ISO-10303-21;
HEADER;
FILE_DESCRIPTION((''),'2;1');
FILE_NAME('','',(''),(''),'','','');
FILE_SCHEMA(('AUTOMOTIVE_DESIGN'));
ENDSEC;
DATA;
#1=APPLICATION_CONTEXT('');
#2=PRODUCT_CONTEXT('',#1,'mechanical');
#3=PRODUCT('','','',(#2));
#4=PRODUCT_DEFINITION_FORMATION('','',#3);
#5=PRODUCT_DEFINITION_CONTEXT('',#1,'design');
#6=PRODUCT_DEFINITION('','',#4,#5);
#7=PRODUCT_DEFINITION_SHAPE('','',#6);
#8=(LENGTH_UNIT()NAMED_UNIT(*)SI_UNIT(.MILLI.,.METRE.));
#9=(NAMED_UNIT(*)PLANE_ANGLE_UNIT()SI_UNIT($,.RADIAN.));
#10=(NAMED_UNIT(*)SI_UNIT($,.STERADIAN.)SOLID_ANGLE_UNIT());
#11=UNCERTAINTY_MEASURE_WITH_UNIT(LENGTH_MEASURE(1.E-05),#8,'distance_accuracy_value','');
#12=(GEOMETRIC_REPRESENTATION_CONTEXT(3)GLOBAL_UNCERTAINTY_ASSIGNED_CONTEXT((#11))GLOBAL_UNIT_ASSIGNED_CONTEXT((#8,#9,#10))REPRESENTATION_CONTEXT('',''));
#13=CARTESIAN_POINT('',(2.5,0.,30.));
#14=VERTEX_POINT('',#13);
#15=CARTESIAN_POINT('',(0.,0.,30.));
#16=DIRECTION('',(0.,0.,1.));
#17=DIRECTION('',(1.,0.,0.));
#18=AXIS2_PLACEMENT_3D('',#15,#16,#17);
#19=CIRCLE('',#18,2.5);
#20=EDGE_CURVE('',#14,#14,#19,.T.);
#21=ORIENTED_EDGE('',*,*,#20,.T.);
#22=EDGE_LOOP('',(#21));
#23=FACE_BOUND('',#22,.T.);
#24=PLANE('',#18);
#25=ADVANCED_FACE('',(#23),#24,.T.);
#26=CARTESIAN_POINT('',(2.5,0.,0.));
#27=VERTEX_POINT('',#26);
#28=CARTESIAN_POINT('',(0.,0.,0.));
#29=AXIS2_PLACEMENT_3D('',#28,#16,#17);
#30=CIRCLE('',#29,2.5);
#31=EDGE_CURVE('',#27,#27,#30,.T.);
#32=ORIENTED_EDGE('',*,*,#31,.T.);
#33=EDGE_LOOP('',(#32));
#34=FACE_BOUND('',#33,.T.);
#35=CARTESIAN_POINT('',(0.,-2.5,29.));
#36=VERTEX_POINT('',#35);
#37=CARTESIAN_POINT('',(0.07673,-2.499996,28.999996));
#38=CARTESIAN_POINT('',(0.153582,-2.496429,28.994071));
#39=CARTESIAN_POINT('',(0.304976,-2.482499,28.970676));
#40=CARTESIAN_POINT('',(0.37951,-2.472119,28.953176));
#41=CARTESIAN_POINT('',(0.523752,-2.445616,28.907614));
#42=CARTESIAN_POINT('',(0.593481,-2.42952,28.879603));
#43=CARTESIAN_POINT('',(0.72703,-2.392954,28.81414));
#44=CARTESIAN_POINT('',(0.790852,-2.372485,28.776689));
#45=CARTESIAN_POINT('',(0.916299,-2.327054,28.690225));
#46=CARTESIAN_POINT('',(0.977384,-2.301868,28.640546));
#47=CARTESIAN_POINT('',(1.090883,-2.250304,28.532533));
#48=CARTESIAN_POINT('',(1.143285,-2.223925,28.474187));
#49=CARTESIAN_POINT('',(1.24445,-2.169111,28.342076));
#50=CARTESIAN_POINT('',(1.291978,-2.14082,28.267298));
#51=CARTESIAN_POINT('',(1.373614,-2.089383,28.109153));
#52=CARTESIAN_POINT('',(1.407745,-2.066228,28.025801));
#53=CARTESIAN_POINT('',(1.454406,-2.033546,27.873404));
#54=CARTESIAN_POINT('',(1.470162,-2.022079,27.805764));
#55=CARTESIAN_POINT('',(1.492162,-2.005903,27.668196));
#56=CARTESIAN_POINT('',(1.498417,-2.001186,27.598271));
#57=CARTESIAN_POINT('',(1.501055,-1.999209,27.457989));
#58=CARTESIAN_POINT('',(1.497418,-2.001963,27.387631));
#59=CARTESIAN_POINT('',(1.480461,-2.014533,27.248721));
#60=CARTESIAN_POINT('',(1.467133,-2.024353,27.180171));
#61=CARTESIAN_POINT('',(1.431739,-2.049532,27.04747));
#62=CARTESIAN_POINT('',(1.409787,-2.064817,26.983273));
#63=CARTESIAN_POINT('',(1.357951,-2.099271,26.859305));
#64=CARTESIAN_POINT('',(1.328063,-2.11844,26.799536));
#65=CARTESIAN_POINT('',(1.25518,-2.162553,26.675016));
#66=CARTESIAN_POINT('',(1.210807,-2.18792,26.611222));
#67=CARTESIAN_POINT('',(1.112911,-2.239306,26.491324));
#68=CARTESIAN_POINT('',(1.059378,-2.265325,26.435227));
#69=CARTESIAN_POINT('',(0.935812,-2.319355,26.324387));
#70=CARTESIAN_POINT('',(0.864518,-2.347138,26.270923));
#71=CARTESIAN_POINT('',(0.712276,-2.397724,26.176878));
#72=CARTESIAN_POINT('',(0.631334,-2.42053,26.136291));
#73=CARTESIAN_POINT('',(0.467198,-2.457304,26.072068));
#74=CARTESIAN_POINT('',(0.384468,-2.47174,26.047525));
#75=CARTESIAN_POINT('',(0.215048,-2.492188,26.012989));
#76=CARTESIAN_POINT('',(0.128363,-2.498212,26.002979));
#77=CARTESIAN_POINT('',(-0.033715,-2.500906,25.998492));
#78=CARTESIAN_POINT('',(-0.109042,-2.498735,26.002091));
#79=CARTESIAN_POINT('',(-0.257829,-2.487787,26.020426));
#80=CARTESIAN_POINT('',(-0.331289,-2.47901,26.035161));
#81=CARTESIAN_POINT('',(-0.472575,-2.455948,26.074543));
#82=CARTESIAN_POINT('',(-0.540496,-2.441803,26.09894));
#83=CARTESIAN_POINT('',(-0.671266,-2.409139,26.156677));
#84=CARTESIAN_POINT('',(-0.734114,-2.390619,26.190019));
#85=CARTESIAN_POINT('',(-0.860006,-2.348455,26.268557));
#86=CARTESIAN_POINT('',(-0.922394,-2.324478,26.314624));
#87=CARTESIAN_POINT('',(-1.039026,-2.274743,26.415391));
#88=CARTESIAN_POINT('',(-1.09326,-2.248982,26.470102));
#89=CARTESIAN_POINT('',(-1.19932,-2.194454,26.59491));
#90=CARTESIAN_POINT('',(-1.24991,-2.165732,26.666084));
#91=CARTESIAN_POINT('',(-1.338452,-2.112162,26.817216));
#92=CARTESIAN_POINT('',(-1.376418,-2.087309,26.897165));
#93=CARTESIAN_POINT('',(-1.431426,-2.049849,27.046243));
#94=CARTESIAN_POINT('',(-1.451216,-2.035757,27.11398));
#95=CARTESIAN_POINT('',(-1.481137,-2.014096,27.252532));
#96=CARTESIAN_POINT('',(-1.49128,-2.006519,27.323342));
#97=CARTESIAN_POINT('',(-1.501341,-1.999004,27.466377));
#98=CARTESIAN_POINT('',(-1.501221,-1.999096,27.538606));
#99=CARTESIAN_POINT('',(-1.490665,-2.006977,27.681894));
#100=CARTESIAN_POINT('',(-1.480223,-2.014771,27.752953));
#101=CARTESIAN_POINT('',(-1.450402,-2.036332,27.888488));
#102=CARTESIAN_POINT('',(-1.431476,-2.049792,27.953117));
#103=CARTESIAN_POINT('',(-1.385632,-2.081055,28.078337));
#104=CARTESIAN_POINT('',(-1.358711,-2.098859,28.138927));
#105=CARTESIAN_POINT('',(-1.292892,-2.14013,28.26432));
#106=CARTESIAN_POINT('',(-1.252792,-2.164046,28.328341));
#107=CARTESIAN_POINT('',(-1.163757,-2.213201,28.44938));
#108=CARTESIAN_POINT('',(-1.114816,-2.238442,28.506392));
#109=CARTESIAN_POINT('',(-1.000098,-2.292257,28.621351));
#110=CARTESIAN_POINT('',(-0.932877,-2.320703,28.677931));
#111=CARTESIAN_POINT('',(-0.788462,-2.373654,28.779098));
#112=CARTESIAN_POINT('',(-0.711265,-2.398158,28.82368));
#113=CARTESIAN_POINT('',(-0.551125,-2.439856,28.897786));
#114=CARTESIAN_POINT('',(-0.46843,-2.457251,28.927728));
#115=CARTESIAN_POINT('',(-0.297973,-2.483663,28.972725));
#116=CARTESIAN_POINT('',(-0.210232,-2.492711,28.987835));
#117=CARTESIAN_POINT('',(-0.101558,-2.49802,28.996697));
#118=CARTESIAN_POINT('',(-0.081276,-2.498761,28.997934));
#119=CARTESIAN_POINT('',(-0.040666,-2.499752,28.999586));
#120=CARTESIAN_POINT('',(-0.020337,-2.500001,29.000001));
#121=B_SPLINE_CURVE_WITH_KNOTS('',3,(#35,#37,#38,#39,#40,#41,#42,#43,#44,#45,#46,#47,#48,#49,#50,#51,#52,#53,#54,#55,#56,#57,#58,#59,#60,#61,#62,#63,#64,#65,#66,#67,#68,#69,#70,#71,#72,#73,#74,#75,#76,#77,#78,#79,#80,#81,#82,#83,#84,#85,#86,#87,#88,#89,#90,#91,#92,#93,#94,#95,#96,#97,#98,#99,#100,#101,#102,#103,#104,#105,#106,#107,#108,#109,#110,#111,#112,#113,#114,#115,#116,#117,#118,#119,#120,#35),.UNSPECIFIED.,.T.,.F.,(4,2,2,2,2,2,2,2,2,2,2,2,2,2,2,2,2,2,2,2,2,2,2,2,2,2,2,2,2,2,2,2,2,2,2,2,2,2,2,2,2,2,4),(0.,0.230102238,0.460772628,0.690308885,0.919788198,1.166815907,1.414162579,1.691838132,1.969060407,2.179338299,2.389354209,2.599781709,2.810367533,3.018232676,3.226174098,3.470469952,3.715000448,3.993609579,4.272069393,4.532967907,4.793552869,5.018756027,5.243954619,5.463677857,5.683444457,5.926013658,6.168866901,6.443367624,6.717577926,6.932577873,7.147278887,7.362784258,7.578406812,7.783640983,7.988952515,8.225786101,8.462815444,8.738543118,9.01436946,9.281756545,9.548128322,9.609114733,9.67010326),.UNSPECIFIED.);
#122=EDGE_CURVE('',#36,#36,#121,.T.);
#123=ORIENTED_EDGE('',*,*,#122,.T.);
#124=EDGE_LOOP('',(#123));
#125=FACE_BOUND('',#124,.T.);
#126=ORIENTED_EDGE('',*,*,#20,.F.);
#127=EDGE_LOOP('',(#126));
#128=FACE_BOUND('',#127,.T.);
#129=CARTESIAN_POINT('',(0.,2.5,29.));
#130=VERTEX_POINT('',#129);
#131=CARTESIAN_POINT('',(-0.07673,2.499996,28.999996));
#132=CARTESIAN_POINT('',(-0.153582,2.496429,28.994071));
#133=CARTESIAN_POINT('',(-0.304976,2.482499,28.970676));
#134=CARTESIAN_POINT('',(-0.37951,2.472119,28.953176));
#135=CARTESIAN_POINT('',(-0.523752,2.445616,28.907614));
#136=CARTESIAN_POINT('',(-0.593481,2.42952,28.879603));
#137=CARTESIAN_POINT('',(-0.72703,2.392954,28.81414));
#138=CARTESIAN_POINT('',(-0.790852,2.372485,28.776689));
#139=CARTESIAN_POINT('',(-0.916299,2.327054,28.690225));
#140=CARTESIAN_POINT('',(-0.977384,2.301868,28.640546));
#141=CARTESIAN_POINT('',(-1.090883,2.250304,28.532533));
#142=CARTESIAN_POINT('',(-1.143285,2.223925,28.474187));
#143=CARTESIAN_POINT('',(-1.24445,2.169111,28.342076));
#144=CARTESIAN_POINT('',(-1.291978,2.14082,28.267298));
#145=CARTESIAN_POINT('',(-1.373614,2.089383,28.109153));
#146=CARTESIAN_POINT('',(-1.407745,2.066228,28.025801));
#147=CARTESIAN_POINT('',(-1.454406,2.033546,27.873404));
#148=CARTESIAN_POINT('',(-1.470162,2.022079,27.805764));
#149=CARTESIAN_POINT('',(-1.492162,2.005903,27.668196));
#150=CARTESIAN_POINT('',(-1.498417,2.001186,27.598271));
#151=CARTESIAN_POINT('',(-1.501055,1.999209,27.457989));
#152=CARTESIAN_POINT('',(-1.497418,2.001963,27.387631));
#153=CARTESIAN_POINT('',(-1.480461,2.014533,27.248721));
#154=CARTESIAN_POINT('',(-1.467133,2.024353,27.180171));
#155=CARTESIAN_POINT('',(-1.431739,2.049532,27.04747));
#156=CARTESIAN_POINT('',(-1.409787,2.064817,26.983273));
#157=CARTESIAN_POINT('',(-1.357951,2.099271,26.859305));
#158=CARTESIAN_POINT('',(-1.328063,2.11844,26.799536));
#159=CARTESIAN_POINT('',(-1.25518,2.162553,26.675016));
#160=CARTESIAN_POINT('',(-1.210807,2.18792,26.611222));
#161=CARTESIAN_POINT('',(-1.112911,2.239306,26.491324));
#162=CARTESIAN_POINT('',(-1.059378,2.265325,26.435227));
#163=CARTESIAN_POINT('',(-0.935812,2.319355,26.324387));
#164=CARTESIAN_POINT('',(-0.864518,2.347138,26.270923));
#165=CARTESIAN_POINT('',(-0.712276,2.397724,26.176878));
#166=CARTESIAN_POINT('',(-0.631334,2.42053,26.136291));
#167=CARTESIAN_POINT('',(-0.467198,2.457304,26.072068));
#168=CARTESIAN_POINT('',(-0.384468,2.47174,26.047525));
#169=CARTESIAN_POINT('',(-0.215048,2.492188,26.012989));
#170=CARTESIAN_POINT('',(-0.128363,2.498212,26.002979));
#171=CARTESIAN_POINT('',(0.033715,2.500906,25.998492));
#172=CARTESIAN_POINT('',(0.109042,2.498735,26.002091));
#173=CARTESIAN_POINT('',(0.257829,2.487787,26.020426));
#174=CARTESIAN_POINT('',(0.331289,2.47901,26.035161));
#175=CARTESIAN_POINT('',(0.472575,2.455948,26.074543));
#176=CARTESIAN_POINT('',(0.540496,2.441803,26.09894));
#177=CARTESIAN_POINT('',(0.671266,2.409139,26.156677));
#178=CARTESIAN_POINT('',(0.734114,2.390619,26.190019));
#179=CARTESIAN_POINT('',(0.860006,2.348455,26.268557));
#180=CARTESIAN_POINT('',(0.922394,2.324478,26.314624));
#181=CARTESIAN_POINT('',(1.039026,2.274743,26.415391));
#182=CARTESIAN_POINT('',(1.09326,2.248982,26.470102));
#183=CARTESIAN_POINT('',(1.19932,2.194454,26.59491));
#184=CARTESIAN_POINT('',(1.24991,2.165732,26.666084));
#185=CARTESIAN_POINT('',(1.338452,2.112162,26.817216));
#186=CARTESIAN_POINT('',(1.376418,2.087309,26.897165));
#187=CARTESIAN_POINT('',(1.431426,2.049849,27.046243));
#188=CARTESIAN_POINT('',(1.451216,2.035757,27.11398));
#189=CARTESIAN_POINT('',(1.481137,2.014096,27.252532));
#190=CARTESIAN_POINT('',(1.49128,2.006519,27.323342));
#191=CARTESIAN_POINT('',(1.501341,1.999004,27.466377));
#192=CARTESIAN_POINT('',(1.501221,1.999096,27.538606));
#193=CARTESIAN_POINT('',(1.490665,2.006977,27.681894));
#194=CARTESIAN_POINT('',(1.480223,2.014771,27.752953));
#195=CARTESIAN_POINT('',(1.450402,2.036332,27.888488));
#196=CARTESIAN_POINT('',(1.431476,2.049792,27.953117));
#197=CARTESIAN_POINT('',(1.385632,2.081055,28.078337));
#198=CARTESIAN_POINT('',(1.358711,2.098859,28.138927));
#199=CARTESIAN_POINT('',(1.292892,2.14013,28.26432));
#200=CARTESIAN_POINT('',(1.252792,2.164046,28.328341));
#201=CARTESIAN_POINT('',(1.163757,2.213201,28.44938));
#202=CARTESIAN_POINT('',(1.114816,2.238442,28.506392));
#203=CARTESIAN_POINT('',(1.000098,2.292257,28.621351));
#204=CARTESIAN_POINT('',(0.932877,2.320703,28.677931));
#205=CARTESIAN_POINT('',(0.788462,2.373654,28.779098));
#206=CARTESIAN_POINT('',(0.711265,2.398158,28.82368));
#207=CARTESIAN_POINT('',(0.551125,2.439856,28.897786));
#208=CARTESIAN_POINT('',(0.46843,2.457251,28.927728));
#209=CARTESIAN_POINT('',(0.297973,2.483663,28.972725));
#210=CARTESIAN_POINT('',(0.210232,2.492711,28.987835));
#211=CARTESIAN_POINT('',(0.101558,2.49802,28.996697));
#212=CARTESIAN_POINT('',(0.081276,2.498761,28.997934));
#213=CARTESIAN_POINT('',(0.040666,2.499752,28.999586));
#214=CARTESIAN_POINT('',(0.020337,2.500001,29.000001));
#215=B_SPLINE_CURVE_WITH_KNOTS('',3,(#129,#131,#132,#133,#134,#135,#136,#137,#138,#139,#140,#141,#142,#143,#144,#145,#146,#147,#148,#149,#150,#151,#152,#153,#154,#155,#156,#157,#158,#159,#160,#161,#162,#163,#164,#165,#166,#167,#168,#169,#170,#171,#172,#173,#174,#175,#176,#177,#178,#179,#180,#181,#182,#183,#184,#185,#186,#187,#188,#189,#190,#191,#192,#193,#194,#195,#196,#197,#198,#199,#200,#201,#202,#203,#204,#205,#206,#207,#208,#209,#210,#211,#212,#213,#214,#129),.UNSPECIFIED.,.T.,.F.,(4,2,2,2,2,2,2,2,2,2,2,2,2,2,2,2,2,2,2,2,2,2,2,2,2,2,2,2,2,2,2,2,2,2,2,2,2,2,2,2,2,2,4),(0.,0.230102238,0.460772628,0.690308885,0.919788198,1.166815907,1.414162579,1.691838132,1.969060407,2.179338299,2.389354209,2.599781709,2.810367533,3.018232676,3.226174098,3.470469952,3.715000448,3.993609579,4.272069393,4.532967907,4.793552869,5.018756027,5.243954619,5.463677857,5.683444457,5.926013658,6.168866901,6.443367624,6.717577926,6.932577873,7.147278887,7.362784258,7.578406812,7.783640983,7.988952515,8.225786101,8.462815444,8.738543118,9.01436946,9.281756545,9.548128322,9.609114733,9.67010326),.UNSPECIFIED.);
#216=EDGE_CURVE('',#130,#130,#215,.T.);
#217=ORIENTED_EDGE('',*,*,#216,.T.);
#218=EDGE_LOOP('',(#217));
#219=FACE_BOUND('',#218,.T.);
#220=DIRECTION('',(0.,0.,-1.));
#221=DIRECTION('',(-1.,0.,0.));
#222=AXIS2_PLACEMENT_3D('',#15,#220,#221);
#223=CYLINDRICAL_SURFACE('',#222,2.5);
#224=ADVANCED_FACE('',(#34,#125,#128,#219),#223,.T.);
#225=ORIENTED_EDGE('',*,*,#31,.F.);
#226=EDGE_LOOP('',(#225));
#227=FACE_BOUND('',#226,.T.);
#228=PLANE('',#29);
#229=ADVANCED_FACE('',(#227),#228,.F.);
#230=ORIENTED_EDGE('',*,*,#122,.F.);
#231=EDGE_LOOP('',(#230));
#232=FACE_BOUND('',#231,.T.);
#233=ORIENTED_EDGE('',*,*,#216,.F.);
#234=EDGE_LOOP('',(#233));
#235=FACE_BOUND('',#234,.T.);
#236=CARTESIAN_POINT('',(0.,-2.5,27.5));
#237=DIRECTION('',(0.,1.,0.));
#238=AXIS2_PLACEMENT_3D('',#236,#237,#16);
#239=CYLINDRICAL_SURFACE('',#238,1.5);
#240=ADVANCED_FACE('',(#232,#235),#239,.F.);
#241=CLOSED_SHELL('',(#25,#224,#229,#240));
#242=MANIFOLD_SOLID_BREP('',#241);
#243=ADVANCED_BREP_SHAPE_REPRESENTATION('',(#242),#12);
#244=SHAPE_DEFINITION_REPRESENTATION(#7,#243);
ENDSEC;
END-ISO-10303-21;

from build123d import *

# Parameters (mm, degrees)
SKETCH1_R               = 2.5
BOSS_EXTRUDE1_DEPTH     = 30
CUT_EXTRUDE1_DEPTH      = 31.207614934
CUT_EXTRUDE1_DEPTH_BACK = 31.207614934
SKETCH2_R               = 1.5


with BuildPart() as part:
    # Sketch1 → Boss-Extrude1 (new body)
    with BuildSketch(Plane.XY):
        Circle(SKETCH1_R)
    extrude(amount=BOSS_EXTRUDE1_DEPTH)

    # Sketch2 → Cut-Extrude1 (cut, two sides: drawn at the far end of the back side and taken through both)
    with BuildSketch(Plane(origin=(0, 0, 0), x_dir=(1, 0, 0), z_dir=(0, 1, 0)).offset(-CUT_EXTRUDE1_DEPTH_BACK)):
        with Locations(Location((0, -27.5, 0), (0, 0, 270))):
            Circle(SKETCH2_R)
    extrude(amount=CUT_EXTRUDE1_DEPTH + CUT_EXTRUDE1_DEPTH_BACK, mode=Mode.SUBTRACT)


solid = part.part
